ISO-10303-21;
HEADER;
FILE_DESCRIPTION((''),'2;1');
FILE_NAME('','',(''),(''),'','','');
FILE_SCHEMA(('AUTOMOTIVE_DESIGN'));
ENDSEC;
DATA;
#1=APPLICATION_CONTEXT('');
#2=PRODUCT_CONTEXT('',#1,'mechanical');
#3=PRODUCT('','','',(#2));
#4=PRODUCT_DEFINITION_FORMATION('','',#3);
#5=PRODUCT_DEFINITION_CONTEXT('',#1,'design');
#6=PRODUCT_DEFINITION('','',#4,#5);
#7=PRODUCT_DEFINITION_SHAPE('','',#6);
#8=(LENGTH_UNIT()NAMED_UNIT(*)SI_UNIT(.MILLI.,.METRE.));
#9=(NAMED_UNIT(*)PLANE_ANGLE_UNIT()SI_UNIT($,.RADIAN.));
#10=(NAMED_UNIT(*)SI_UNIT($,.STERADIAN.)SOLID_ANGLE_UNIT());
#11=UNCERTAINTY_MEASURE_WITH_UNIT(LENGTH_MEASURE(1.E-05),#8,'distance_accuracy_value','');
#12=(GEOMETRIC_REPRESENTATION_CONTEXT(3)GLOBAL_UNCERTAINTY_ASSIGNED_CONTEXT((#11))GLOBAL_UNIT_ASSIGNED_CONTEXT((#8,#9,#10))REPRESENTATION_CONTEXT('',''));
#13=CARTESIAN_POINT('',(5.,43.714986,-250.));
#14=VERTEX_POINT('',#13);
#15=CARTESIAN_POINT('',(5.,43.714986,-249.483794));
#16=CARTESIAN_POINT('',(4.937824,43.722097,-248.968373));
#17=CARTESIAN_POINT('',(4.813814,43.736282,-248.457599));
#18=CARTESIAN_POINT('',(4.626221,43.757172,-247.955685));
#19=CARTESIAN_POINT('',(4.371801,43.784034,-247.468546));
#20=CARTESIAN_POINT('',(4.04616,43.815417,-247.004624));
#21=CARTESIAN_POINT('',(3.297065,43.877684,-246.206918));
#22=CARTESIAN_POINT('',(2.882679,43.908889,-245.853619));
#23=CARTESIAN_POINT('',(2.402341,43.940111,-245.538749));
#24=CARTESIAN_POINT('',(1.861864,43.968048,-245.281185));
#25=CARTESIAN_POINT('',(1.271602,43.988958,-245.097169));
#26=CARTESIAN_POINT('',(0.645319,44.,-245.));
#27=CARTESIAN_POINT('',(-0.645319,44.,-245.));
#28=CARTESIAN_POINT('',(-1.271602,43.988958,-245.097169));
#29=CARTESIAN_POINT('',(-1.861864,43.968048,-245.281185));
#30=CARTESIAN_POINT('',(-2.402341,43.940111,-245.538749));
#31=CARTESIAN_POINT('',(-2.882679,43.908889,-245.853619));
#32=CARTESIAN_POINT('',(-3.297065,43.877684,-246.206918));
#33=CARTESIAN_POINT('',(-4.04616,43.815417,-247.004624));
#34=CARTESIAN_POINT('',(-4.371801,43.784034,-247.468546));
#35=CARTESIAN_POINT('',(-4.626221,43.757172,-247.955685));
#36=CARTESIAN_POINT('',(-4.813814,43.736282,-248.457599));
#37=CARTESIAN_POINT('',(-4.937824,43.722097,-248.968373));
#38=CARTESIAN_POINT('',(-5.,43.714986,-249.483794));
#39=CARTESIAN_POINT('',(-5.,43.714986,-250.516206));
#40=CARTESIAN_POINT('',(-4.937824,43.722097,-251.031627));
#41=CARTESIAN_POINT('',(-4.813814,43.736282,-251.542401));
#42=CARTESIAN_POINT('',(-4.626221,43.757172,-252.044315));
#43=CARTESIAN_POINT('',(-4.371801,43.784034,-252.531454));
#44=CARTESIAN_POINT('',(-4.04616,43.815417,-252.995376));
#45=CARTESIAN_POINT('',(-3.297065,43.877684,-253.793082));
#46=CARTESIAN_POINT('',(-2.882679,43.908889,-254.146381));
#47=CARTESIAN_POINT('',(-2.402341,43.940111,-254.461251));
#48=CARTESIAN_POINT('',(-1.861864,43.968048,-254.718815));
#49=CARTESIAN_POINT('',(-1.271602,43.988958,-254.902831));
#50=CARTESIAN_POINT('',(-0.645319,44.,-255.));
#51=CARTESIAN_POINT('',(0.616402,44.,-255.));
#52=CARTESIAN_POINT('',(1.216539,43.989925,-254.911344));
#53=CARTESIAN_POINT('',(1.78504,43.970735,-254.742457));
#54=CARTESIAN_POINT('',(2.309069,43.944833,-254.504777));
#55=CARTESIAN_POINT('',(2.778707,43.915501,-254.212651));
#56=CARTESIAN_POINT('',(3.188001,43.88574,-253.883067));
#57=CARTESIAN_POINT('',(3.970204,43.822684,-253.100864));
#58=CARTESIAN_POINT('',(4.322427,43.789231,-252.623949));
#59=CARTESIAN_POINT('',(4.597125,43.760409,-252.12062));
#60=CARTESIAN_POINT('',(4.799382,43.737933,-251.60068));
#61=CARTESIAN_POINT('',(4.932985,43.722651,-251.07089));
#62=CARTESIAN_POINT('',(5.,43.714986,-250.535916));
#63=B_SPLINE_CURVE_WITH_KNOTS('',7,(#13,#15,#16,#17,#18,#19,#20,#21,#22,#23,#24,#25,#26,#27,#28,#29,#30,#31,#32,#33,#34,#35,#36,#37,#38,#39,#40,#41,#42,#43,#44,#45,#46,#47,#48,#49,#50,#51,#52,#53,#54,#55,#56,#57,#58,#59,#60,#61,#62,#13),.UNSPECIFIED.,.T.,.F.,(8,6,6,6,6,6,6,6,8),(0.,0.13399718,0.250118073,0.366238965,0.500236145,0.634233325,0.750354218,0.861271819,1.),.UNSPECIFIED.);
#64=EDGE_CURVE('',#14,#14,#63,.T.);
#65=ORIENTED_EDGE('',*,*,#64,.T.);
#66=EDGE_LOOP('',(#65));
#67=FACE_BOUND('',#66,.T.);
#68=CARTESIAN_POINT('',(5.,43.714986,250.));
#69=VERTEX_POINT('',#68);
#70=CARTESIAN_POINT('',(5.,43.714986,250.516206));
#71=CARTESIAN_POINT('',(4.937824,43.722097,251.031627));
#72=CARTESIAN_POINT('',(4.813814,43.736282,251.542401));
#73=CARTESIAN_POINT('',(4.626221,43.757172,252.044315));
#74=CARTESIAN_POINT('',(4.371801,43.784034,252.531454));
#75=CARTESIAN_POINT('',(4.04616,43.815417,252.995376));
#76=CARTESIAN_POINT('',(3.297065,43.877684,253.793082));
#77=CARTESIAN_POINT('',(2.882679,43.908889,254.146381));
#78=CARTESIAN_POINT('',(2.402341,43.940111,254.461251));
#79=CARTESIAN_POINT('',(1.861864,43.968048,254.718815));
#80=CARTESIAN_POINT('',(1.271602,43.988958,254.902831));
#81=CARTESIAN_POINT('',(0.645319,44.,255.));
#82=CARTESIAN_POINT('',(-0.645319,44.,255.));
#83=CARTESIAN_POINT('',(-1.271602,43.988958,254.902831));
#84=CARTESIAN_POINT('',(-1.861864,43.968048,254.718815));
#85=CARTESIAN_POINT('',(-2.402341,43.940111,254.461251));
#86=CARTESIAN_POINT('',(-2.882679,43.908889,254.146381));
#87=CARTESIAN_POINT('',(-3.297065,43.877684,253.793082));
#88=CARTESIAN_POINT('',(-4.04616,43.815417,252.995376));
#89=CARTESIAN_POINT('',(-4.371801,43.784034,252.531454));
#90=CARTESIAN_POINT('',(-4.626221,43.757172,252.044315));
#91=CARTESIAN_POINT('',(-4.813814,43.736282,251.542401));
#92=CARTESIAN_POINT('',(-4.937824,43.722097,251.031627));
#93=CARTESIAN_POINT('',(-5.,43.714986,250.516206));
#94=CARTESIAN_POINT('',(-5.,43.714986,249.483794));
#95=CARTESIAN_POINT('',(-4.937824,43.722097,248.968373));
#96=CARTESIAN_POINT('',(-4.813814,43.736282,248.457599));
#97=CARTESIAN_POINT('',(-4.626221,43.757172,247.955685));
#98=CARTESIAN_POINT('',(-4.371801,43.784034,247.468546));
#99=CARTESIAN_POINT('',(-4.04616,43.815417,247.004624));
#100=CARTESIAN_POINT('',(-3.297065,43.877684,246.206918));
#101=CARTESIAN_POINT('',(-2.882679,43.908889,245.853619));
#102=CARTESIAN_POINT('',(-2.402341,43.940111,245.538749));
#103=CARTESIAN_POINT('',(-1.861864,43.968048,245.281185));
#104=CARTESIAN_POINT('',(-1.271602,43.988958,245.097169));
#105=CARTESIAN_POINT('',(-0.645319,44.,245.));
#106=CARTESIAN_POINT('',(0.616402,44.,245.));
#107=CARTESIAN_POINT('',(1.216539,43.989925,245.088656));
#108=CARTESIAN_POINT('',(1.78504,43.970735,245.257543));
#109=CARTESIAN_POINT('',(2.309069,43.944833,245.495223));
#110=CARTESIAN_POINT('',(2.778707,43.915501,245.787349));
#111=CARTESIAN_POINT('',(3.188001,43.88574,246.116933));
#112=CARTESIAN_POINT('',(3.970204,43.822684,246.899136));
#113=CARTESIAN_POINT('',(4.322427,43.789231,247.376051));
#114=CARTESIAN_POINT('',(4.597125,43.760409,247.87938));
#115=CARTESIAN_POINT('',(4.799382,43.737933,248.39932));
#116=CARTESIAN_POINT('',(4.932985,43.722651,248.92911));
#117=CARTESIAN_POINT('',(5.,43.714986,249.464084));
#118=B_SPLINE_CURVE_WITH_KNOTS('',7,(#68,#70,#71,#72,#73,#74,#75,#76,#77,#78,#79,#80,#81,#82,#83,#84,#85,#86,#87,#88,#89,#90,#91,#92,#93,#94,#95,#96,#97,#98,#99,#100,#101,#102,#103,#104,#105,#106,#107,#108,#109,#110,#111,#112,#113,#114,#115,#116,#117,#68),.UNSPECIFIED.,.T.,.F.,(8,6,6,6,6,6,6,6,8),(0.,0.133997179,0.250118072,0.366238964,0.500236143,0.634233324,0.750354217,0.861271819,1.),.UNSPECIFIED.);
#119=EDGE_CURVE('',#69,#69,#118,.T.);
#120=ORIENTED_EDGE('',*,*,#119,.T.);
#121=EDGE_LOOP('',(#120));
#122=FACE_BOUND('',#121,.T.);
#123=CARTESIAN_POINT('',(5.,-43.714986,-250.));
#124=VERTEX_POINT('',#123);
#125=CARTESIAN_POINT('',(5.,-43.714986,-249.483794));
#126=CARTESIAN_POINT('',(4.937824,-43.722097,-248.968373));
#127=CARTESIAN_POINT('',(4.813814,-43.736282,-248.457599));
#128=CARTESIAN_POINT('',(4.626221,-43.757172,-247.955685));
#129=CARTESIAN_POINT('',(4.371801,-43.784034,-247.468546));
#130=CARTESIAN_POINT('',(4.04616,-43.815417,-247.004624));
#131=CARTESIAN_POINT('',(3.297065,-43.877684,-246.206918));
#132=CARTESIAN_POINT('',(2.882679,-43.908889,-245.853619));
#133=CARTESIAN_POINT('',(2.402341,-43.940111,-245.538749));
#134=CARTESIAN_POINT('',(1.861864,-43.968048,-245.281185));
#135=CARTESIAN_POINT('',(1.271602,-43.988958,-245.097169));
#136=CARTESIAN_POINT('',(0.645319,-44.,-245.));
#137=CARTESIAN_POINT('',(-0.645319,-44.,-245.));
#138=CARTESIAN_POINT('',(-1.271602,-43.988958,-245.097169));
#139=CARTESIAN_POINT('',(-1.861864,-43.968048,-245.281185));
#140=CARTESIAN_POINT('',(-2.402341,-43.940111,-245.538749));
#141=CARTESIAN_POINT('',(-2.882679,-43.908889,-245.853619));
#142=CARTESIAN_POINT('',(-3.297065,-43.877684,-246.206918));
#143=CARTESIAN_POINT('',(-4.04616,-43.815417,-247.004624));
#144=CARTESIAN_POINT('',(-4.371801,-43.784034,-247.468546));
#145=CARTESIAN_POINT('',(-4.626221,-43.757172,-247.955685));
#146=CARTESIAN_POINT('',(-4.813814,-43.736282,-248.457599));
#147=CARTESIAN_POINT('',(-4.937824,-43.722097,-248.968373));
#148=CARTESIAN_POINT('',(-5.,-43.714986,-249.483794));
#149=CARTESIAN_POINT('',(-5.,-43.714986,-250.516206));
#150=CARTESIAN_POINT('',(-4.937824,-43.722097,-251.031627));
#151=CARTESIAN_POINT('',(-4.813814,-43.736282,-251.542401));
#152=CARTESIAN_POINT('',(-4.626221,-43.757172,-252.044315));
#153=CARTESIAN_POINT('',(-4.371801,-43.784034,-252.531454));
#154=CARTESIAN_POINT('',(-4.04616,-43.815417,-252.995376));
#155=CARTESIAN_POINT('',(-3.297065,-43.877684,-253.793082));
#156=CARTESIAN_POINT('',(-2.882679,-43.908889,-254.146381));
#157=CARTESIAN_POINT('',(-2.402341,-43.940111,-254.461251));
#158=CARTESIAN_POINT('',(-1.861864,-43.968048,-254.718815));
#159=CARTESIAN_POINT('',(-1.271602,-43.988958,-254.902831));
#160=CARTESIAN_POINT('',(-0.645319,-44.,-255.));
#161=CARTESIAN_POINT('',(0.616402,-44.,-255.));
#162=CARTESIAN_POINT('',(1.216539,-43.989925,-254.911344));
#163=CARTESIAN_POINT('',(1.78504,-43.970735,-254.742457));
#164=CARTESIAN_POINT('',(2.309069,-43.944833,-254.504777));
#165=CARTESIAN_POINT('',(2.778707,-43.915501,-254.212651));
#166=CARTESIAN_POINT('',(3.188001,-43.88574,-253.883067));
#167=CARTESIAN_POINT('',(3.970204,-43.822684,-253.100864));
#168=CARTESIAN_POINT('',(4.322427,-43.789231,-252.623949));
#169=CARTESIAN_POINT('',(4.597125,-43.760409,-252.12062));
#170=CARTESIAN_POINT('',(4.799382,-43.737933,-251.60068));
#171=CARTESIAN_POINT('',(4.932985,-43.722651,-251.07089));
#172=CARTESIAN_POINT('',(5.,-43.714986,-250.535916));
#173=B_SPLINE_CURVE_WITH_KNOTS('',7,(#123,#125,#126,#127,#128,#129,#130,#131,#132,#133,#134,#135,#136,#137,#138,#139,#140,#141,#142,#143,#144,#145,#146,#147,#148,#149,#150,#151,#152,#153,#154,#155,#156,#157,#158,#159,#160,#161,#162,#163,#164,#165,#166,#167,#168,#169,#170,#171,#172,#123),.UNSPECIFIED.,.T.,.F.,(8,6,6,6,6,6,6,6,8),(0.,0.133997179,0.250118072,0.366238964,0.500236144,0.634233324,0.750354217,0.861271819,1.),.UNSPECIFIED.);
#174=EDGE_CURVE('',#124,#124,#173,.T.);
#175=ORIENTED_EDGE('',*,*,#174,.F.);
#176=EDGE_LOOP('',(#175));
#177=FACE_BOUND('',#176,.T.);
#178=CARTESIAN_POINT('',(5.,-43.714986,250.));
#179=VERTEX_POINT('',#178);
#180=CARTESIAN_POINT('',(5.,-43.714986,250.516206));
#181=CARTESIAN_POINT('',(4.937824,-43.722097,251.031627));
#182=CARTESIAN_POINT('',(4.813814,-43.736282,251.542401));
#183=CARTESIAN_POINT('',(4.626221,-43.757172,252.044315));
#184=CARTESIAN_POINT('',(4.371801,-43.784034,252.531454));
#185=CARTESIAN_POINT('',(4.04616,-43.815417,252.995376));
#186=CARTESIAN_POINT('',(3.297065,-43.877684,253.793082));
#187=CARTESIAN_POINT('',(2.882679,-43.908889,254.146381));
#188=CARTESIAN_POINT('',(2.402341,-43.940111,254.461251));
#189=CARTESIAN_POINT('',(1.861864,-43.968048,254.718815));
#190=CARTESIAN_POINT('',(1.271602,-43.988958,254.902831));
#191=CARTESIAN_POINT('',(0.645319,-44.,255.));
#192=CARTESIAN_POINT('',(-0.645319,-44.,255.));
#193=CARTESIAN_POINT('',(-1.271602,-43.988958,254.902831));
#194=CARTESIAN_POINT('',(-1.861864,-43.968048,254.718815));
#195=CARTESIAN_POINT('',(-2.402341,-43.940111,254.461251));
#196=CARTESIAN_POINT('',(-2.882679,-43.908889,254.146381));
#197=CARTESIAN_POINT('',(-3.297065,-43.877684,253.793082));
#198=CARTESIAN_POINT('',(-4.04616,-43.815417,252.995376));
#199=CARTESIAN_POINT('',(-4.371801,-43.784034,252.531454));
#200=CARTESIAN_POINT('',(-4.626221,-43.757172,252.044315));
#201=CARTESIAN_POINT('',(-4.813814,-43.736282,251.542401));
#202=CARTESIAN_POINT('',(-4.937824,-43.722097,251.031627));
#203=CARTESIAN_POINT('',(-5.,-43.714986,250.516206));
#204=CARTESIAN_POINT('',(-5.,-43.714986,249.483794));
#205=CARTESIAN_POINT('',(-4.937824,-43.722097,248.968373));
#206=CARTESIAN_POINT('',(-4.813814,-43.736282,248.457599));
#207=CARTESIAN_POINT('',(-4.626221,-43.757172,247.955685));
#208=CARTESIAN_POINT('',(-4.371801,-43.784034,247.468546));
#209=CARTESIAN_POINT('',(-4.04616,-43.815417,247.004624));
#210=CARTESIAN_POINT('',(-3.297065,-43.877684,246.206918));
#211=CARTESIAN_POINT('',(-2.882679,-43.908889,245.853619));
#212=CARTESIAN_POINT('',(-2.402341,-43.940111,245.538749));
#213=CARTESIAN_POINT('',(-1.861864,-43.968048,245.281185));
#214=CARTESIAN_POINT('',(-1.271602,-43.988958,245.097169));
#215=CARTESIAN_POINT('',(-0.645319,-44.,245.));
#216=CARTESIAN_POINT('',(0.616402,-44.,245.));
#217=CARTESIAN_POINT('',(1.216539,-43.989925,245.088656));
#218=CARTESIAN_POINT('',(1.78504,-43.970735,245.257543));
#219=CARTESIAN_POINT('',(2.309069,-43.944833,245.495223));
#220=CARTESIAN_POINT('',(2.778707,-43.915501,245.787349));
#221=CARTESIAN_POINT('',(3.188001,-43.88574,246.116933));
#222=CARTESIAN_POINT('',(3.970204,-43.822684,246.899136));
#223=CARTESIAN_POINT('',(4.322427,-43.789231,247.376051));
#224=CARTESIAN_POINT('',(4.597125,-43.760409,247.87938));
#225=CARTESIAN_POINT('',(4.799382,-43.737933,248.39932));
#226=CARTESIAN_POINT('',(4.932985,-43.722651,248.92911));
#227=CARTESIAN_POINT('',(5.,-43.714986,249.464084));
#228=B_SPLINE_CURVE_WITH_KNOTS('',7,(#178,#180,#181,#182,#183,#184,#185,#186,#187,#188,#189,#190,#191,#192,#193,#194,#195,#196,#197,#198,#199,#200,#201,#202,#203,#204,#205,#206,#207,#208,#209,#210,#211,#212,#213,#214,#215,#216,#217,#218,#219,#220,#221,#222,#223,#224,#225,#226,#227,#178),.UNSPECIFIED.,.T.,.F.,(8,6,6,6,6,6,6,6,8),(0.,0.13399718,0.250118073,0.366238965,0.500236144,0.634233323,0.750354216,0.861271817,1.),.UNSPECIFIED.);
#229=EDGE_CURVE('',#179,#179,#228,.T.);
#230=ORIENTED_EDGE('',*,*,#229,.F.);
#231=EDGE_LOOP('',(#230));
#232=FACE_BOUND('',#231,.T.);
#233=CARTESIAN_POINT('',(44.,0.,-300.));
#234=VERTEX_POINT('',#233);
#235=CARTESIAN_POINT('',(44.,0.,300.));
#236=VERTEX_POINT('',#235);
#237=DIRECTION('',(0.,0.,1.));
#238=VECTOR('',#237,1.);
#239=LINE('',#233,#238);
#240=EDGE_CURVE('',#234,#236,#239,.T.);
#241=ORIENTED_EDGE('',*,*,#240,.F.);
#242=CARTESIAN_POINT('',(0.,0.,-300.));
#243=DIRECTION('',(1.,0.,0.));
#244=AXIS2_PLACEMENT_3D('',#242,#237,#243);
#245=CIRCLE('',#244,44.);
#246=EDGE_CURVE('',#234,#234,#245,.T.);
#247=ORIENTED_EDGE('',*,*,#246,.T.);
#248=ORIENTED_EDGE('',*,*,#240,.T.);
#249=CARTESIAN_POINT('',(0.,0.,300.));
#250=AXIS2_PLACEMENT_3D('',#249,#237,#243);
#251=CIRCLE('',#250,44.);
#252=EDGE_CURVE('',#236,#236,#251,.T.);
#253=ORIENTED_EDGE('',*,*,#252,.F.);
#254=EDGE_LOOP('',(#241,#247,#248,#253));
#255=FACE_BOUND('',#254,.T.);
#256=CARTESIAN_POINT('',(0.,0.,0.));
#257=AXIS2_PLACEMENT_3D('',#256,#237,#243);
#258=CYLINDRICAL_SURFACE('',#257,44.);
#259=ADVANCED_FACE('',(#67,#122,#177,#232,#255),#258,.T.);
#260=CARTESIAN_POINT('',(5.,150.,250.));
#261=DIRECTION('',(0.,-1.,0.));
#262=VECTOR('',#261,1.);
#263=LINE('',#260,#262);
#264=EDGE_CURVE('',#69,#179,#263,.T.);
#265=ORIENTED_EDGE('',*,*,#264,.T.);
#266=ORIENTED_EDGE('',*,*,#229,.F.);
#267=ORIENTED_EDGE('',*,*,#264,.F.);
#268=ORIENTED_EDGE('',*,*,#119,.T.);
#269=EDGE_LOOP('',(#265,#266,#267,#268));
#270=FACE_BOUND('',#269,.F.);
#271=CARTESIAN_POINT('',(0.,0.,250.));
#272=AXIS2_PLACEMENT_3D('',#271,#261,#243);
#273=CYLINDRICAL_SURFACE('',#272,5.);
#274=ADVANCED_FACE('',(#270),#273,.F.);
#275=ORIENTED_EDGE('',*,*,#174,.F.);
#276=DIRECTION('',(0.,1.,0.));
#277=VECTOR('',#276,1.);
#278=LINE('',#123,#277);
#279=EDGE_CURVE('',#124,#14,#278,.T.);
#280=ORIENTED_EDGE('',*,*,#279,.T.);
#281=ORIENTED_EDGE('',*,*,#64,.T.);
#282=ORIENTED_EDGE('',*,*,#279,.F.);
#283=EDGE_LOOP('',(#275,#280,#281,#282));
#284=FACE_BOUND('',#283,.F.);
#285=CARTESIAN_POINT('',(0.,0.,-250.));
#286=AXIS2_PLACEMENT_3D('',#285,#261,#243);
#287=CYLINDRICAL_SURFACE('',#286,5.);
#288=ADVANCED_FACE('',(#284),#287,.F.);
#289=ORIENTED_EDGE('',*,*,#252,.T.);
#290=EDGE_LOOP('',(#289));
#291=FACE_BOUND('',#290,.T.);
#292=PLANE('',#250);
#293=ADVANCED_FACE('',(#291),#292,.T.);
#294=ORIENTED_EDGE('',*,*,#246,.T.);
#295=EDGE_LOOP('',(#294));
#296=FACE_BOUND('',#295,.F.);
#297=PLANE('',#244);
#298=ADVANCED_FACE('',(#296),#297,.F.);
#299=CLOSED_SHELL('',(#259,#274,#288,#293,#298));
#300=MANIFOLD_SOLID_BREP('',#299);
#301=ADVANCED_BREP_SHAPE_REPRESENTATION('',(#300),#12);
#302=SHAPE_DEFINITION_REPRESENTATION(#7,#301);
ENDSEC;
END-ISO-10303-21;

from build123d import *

# Parameters (mm, degrees)
F0_R     = 44
F1_DEPTH = 300
F2_R     = 5
F3_DEPTH = 150


with BuildPart() as f1:
    # F0 (on Top) → F1 (new body, symmetric)
    with BuildSketch(Plane.XY):
        Circle(F0_R)
    extrude(amount=F1_DEPTH, both=True)

    # F2 (on Front) → F3 (cut, symmetric)
    with BuildSketch(Plane.XZ):
        with Locations((0, -250)):
            Circle(F2_R)
        with Locations((0, 250)):
            Circle(F2_R)
    extrude(amount=F3_DEPTH, both=True, mode=Mode.SUBTRACT)


solid = f1.part
